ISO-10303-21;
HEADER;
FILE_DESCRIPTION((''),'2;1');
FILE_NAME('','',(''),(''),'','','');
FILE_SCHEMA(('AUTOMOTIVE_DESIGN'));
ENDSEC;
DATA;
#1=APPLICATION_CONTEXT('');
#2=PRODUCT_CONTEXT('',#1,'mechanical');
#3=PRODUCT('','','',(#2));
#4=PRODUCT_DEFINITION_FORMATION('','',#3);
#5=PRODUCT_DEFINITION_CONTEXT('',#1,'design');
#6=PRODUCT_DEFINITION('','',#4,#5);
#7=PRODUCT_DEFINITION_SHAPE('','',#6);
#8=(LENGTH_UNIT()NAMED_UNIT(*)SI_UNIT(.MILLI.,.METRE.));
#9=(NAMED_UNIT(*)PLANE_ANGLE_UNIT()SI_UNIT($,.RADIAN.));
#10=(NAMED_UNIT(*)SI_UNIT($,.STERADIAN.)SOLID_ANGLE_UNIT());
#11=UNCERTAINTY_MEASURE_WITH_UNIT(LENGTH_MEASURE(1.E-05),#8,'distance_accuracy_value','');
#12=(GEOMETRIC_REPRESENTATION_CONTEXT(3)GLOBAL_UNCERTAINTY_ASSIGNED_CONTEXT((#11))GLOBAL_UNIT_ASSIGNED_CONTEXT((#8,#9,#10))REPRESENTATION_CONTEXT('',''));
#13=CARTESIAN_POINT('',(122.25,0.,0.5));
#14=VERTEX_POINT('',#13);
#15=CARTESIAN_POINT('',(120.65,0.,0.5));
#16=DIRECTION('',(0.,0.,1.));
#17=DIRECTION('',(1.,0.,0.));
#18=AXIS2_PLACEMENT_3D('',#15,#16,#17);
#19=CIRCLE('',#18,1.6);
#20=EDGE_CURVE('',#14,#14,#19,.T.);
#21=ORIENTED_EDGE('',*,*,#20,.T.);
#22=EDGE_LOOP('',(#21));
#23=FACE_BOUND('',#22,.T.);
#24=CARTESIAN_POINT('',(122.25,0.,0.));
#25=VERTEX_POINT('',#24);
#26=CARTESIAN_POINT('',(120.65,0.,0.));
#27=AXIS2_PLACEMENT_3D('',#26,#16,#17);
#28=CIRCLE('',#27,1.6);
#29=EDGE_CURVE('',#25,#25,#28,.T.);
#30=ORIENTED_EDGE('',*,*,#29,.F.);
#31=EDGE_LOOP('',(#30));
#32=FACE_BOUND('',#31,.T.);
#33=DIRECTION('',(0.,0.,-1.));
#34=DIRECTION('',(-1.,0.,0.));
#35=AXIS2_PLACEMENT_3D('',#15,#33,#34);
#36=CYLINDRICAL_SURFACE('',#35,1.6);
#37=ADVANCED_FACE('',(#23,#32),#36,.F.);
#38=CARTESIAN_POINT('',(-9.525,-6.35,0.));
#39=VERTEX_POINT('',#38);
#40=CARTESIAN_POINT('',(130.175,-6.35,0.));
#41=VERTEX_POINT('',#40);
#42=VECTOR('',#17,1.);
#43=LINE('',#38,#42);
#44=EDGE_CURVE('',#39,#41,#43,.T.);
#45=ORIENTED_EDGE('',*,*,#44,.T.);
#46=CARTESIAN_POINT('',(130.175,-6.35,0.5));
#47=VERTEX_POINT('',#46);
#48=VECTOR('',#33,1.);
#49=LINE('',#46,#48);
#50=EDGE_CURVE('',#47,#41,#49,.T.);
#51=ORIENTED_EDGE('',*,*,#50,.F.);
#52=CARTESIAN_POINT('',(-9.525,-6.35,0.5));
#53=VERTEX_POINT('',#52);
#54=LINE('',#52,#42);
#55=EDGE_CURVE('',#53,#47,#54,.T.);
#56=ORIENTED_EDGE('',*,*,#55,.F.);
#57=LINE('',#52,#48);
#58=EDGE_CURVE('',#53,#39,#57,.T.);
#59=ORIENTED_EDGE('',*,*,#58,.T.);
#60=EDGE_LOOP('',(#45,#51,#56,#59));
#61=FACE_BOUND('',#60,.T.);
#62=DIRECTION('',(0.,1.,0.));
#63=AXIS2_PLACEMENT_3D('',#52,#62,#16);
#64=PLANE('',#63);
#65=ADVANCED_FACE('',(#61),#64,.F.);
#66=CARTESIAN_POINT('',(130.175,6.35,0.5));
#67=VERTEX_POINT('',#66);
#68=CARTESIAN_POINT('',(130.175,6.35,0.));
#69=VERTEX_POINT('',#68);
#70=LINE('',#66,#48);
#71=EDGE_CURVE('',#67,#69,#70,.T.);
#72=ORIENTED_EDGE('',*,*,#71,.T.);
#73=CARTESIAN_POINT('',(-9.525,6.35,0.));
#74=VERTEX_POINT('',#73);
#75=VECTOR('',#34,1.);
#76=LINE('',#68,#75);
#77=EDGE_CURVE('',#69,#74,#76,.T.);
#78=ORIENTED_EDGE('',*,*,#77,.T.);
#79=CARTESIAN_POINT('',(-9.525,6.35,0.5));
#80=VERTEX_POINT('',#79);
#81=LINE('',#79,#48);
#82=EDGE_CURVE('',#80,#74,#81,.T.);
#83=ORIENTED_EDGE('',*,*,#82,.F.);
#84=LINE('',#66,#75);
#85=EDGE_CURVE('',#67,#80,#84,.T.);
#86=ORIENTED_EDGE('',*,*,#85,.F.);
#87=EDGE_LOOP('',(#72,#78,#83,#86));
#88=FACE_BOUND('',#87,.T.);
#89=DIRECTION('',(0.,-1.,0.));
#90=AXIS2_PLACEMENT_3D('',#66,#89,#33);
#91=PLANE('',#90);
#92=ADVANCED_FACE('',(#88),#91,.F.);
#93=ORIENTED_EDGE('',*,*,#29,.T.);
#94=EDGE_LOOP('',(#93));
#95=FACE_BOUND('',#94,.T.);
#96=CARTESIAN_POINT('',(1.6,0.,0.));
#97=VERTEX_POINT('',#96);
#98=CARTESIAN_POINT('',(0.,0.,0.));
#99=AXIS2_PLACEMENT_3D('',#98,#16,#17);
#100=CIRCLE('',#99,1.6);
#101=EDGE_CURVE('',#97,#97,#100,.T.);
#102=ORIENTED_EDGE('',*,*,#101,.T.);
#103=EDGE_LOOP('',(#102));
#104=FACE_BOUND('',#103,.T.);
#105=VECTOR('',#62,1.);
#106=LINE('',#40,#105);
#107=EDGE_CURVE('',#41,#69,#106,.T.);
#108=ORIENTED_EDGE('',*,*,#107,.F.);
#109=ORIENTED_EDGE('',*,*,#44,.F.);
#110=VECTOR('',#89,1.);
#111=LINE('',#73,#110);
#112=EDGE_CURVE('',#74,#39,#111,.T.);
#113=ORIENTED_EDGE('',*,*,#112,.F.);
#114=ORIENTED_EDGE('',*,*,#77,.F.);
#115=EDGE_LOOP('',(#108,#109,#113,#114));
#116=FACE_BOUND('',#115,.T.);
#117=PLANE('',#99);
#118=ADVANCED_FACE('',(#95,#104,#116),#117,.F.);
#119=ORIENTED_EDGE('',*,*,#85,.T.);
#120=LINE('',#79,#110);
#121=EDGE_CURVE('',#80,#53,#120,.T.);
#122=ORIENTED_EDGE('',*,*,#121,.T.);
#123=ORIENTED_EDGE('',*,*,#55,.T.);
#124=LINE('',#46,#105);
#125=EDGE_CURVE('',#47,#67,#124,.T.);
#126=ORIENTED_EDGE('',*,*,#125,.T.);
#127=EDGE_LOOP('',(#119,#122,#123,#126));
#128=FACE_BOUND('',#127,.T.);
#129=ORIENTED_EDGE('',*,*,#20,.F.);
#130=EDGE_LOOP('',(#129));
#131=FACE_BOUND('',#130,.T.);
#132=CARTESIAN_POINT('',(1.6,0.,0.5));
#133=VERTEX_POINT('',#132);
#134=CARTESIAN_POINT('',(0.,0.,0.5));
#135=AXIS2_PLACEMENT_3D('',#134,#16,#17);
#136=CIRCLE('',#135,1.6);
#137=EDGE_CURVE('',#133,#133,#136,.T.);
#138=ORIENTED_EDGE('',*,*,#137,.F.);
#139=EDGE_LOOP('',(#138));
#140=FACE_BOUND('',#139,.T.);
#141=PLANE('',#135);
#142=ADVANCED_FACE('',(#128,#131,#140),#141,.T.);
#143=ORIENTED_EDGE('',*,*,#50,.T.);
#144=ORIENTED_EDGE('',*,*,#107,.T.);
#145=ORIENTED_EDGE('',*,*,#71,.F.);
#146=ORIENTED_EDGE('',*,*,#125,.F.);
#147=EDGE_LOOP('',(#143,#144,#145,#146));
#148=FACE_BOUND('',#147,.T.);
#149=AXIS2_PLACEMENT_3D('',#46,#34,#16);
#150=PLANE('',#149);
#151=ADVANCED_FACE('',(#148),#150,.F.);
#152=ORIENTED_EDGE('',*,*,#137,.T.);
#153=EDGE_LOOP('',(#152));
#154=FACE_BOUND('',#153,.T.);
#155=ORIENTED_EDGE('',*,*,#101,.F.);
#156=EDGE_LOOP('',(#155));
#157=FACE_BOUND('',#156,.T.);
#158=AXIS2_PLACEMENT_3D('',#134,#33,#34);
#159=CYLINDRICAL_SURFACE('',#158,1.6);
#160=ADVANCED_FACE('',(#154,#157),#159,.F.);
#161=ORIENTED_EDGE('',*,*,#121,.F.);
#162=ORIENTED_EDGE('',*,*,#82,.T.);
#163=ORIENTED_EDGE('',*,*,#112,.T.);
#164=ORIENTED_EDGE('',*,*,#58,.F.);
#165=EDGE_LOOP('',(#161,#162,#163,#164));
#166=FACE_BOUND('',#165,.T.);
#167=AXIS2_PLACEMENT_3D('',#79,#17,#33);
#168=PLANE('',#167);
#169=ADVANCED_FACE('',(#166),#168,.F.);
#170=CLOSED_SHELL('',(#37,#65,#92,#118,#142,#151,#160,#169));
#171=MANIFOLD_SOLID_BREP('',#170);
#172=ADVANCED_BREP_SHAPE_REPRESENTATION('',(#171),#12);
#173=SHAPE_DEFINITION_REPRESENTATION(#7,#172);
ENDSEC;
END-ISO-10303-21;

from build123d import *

# Parameters (mm, degrees)
SKETCH1_W           = 139.7
SKETCH1_H           = 12.7
SKETCH1_R           = 1.6
BOSS_EXTRUDE1_DEPTH = 0.5


with BuildPart() as part:
    # Sketch1 → Boss-Extrude1 (new body)
    with BuildSketch(Plane.XY):
        with Locations((60.325, 0)):
            Rectangle(SKETCH1_W, SKETCH1_H)
        Circle(SKETCH1_R, mode=Mode.SUBTRACT)
        with Locations((120.65, 0)):
            Circle(SKETCH1_R, mode=Mode.SUBTRACT)
    extrude(amount=BOSS_EXTRUDE1_DEPTH)


solid = part.part
